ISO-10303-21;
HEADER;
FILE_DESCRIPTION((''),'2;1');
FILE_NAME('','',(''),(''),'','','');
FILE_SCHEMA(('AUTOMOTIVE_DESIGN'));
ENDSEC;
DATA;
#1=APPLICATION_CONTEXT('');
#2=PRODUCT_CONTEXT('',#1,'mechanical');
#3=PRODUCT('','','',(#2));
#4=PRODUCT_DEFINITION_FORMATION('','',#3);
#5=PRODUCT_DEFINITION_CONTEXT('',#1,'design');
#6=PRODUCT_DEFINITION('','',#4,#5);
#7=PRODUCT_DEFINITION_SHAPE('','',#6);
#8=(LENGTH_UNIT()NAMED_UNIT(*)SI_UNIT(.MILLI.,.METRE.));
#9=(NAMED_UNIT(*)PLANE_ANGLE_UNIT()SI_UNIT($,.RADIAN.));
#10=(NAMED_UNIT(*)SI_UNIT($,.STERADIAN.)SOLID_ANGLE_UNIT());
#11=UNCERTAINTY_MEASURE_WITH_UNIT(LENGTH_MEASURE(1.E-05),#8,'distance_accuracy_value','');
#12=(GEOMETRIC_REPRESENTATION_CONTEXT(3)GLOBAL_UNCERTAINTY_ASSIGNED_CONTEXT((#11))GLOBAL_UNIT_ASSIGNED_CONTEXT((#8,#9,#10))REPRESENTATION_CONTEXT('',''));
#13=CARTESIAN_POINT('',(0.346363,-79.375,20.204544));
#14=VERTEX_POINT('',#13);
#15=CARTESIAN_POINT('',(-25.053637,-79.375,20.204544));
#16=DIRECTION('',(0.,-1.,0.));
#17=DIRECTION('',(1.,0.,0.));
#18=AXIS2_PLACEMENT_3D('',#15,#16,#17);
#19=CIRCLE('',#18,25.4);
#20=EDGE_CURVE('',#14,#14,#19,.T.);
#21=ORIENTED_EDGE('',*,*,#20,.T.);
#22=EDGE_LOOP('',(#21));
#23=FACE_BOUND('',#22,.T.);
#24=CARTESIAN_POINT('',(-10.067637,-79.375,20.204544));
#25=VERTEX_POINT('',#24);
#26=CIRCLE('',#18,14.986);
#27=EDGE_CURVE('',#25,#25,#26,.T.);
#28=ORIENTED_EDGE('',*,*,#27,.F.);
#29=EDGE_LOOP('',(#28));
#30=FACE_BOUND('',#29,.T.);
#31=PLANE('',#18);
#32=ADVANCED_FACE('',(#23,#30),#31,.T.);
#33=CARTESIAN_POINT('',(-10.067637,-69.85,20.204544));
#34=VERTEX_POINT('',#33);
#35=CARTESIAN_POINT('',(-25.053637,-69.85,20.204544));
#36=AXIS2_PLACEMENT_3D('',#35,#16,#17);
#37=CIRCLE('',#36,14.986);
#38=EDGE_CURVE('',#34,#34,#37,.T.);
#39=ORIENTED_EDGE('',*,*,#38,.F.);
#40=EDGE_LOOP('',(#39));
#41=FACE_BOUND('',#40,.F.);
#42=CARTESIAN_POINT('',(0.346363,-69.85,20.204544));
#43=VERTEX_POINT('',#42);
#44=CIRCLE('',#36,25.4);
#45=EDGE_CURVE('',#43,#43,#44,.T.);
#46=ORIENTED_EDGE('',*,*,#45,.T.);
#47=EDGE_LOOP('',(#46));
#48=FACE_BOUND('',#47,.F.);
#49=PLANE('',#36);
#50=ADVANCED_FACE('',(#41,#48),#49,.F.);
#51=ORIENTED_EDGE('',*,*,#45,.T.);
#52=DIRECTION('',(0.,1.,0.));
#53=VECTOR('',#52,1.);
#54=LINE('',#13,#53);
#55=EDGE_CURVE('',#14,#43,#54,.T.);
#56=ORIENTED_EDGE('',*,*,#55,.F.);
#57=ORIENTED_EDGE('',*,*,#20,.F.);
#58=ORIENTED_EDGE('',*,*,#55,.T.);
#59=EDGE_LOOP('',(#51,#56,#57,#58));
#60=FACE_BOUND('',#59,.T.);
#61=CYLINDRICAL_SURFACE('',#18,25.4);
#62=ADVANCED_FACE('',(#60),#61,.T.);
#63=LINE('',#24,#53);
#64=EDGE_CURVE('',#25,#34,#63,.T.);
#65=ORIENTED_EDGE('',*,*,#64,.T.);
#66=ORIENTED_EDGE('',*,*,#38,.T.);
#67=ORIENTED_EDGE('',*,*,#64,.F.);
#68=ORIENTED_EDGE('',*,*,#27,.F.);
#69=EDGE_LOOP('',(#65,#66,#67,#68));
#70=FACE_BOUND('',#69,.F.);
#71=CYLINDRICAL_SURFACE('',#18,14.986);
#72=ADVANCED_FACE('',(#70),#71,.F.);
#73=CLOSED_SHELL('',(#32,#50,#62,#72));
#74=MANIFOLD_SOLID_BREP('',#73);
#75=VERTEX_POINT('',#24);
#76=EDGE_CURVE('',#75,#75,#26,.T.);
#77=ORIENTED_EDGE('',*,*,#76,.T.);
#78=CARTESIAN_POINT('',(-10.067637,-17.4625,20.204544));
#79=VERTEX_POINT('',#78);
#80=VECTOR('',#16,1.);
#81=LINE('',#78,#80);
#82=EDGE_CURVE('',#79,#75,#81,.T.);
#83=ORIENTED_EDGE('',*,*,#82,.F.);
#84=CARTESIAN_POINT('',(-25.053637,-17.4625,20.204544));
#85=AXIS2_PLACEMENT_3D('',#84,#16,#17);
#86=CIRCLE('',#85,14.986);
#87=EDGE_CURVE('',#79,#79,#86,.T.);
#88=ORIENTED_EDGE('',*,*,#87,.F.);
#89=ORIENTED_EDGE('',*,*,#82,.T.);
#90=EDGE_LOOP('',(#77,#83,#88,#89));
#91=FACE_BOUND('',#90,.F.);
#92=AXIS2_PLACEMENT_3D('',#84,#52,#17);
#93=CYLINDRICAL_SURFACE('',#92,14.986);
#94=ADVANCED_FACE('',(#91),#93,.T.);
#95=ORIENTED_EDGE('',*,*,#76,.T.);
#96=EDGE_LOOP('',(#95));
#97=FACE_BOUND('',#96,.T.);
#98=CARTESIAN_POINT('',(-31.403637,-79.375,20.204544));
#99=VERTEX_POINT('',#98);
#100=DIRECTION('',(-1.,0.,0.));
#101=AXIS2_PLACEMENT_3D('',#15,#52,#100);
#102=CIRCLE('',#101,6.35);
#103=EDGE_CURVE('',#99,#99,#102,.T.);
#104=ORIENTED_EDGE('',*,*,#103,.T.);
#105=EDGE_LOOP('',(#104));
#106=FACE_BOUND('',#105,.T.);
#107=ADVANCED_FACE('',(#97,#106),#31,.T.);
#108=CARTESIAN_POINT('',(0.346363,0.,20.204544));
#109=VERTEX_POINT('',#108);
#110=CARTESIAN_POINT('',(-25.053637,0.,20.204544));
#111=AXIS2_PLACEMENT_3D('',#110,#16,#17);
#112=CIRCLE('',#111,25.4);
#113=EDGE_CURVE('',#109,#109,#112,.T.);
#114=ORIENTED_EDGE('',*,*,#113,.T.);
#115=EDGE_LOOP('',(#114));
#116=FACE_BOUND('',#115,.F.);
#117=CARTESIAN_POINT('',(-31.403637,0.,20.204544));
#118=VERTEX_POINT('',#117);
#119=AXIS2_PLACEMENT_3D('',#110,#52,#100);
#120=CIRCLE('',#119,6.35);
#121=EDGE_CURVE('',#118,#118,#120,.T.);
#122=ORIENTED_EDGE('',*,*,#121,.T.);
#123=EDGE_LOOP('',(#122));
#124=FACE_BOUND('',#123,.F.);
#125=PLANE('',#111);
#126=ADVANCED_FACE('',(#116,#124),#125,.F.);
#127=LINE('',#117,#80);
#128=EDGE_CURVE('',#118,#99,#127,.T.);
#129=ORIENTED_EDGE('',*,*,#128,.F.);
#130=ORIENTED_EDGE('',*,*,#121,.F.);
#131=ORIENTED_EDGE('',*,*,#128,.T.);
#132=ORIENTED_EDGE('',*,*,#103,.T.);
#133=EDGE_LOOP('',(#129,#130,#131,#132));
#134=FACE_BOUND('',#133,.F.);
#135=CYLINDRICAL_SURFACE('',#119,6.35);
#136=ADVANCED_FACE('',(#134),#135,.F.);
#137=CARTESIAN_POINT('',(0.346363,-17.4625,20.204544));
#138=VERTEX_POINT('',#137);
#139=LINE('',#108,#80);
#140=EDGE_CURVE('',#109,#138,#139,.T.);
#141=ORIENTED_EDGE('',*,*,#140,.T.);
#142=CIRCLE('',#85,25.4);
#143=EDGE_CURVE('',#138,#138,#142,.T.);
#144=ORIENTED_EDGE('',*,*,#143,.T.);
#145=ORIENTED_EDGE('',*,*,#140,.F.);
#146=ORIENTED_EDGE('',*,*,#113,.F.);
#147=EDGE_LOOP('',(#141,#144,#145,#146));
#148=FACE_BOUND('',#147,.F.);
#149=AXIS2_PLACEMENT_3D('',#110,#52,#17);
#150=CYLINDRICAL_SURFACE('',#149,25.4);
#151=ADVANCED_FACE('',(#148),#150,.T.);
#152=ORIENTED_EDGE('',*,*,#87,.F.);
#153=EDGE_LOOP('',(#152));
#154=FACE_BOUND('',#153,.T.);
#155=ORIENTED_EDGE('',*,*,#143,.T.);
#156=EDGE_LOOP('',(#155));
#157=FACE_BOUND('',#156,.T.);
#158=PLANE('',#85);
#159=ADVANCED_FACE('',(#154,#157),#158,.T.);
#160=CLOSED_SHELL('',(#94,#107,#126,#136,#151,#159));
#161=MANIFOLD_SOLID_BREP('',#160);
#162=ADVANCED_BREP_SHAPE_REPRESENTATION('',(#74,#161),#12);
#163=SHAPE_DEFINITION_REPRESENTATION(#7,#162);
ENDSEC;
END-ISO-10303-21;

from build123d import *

# Parameters (mm, degrees)
F0_R     = 25.4
F1_DEPTH = 17.4625
F2_R     = 14.986
F3_DEPTH = 61.9125
F4_R     = 25.4
F4_R_2   = 14.986
F5_DEPTH = 9.525
F6_R     = 6.35
F7_DEPTH = 79.376


with BuildPart() as f1:
    # F0 (on Front) → F1 (new body)
    with BuildSketch(Plane.XZ):
        with Locations((-25.0536371022, 20.2045440674)):
            Circle(F0_R)
    extrude(amount=F1_DEPTH)

    # F2 (on face) → F3 (join)
    with BuildSketch(Plane.XZ.offset(17.4625)):
        with Locations((-25.0536371022, 20.2045440674)):
            Circle(F2_R)
    extrude(amount=F3_DEPTH)

    # F6 (on face) → F7 (cut, through all)
    with BuildSketch(Plane(origin=(0, 0, 0), x_dir=(-1, 0, 0), z_dir=(0, 1, 0))):
        with Locations((25.0536371022, 20.2045440674)):
            Circle(F6_R)
    extrude(amount=-F7_DEPTH, mode=Mode.SUBTRACT)


with BuildPart() as f5:
    # F4 (on face) → F5 (new body)
    with BuildSketch(Plane.XZ.offset(79.375)):
        with Locations((-25.0536371022, 20.2045440674)):
            Circle(F4_R)
        with Locations((-25.0536371022, 20.2045440674)):
            Circle(F4_R_2, mode=Mode.SUBTRACT)
    extrude(amount=-F5_DEPTH)


solid = Compound([f1.part, f5.part])
